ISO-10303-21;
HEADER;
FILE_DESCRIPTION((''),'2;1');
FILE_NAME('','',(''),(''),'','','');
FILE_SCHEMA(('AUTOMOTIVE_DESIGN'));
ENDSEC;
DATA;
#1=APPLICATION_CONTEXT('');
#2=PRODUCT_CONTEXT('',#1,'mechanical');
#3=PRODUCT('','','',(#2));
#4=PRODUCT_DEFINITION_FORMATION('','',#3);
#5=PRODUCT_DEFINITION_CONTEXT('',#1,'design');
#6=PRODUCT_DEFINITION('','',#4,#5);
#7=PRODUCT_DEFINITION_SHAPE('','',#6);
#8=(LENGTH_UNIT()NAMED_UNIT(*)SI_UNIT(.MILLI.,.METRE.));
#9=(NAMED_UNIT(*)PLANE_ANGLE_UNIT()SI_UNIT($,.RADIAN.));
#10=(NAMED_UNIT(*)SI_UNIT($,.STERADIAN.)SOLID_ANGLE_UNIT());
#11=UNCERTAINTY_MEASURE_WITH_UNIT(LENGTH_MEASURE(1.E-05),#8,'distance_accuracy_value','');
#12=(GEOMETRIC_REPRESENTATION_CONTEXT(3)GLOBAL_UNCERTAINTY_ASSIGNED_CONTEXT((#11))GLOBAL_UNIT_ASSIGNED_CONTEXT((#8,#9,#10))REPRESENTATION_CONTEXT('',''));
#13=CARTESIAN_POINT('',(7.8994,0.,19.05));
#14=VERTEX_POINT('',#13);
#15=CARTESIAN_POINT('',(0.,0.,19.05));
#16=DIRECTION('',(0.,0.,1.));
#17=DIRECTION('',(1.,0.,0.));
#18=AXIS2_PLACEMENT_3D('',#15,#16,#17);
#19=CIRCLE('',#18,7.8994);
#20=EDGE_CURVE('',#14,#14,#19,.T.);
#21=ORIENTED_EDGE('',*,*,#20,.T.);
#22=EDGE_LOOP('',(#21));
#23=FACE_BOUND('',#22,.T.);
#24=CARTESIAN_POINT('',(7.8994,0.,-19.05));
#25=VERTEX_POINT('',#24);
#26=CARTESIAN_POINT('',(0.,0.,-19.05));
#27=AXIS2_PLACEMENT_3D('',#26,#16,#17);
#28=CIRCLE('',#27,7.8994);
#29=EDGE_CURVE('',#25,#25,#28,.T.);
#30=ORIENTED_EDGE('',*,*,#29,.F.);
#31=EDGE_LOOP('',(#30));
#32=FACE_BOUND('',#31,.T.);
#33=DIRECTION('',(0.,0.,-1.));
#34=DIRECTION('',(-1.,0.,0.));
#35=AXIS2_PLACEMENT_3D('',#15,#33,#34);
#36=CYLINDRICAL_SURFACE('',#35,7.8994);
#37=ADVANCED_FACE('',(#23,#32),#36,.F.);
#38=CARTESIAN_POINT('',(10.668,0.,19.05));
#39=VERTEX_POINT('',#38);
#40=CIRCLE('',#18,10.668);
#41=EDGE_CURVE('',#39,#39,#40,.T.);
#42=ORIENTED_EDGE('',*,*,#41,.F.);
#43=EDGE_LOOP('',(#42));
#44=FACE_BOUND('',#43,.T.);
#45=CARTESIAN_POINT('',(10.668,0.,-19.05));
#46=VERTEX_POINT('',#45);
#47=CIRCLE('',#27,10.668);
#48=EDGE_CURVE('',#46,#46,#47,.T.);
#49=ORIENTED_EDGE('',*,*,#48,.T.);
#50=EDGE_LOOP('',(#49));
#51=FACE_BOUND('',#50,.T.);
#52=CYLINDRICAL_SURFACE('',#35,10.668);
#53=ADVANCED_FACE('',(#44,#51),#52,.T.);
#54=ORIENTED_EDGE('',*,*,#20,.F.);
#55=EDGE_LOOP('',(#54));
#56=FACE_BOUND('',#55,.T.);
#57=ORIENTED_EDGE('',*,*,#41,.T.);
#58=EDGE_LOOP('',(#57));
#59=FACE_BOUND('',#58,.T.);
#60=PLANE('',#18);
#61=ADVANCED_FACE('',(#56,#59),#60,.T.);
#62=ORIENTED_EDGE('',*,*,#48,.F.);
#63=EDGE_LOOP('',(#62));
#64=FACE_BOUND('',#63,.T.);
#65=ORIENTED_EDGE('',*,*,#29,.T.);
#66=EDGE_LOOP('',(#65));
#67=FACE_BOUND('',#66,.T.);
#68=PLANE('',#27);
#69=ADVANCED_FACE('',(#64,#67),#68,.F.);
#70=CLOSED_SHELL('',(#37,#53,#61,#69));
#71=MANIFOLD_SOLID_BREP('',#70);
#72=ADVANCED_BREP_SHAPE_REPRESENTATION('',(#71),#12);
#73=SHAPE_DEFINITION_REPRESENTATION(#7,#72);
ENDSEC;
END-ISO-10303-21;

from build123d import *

# Parameters (mm, degrees)
SKETCH1_R           = 10.668
SKETCH1_R_2         = 7.8994
EXTRUDE_THIN1_DEPTH = 19.05


with BuildPart() as part:
    # Sketch1 → Extrude-Thin1 (new body, symmetric)
    with BuildSketch(Plane.XY):
        Circle(SKETCH1_R)
        Circle(SKETCH1_R_2, mode=Mode.SUBTRACT)
    extrude(amount=EXTRUDE_THIN1_DEPTH, both=True)


solid = part.part
